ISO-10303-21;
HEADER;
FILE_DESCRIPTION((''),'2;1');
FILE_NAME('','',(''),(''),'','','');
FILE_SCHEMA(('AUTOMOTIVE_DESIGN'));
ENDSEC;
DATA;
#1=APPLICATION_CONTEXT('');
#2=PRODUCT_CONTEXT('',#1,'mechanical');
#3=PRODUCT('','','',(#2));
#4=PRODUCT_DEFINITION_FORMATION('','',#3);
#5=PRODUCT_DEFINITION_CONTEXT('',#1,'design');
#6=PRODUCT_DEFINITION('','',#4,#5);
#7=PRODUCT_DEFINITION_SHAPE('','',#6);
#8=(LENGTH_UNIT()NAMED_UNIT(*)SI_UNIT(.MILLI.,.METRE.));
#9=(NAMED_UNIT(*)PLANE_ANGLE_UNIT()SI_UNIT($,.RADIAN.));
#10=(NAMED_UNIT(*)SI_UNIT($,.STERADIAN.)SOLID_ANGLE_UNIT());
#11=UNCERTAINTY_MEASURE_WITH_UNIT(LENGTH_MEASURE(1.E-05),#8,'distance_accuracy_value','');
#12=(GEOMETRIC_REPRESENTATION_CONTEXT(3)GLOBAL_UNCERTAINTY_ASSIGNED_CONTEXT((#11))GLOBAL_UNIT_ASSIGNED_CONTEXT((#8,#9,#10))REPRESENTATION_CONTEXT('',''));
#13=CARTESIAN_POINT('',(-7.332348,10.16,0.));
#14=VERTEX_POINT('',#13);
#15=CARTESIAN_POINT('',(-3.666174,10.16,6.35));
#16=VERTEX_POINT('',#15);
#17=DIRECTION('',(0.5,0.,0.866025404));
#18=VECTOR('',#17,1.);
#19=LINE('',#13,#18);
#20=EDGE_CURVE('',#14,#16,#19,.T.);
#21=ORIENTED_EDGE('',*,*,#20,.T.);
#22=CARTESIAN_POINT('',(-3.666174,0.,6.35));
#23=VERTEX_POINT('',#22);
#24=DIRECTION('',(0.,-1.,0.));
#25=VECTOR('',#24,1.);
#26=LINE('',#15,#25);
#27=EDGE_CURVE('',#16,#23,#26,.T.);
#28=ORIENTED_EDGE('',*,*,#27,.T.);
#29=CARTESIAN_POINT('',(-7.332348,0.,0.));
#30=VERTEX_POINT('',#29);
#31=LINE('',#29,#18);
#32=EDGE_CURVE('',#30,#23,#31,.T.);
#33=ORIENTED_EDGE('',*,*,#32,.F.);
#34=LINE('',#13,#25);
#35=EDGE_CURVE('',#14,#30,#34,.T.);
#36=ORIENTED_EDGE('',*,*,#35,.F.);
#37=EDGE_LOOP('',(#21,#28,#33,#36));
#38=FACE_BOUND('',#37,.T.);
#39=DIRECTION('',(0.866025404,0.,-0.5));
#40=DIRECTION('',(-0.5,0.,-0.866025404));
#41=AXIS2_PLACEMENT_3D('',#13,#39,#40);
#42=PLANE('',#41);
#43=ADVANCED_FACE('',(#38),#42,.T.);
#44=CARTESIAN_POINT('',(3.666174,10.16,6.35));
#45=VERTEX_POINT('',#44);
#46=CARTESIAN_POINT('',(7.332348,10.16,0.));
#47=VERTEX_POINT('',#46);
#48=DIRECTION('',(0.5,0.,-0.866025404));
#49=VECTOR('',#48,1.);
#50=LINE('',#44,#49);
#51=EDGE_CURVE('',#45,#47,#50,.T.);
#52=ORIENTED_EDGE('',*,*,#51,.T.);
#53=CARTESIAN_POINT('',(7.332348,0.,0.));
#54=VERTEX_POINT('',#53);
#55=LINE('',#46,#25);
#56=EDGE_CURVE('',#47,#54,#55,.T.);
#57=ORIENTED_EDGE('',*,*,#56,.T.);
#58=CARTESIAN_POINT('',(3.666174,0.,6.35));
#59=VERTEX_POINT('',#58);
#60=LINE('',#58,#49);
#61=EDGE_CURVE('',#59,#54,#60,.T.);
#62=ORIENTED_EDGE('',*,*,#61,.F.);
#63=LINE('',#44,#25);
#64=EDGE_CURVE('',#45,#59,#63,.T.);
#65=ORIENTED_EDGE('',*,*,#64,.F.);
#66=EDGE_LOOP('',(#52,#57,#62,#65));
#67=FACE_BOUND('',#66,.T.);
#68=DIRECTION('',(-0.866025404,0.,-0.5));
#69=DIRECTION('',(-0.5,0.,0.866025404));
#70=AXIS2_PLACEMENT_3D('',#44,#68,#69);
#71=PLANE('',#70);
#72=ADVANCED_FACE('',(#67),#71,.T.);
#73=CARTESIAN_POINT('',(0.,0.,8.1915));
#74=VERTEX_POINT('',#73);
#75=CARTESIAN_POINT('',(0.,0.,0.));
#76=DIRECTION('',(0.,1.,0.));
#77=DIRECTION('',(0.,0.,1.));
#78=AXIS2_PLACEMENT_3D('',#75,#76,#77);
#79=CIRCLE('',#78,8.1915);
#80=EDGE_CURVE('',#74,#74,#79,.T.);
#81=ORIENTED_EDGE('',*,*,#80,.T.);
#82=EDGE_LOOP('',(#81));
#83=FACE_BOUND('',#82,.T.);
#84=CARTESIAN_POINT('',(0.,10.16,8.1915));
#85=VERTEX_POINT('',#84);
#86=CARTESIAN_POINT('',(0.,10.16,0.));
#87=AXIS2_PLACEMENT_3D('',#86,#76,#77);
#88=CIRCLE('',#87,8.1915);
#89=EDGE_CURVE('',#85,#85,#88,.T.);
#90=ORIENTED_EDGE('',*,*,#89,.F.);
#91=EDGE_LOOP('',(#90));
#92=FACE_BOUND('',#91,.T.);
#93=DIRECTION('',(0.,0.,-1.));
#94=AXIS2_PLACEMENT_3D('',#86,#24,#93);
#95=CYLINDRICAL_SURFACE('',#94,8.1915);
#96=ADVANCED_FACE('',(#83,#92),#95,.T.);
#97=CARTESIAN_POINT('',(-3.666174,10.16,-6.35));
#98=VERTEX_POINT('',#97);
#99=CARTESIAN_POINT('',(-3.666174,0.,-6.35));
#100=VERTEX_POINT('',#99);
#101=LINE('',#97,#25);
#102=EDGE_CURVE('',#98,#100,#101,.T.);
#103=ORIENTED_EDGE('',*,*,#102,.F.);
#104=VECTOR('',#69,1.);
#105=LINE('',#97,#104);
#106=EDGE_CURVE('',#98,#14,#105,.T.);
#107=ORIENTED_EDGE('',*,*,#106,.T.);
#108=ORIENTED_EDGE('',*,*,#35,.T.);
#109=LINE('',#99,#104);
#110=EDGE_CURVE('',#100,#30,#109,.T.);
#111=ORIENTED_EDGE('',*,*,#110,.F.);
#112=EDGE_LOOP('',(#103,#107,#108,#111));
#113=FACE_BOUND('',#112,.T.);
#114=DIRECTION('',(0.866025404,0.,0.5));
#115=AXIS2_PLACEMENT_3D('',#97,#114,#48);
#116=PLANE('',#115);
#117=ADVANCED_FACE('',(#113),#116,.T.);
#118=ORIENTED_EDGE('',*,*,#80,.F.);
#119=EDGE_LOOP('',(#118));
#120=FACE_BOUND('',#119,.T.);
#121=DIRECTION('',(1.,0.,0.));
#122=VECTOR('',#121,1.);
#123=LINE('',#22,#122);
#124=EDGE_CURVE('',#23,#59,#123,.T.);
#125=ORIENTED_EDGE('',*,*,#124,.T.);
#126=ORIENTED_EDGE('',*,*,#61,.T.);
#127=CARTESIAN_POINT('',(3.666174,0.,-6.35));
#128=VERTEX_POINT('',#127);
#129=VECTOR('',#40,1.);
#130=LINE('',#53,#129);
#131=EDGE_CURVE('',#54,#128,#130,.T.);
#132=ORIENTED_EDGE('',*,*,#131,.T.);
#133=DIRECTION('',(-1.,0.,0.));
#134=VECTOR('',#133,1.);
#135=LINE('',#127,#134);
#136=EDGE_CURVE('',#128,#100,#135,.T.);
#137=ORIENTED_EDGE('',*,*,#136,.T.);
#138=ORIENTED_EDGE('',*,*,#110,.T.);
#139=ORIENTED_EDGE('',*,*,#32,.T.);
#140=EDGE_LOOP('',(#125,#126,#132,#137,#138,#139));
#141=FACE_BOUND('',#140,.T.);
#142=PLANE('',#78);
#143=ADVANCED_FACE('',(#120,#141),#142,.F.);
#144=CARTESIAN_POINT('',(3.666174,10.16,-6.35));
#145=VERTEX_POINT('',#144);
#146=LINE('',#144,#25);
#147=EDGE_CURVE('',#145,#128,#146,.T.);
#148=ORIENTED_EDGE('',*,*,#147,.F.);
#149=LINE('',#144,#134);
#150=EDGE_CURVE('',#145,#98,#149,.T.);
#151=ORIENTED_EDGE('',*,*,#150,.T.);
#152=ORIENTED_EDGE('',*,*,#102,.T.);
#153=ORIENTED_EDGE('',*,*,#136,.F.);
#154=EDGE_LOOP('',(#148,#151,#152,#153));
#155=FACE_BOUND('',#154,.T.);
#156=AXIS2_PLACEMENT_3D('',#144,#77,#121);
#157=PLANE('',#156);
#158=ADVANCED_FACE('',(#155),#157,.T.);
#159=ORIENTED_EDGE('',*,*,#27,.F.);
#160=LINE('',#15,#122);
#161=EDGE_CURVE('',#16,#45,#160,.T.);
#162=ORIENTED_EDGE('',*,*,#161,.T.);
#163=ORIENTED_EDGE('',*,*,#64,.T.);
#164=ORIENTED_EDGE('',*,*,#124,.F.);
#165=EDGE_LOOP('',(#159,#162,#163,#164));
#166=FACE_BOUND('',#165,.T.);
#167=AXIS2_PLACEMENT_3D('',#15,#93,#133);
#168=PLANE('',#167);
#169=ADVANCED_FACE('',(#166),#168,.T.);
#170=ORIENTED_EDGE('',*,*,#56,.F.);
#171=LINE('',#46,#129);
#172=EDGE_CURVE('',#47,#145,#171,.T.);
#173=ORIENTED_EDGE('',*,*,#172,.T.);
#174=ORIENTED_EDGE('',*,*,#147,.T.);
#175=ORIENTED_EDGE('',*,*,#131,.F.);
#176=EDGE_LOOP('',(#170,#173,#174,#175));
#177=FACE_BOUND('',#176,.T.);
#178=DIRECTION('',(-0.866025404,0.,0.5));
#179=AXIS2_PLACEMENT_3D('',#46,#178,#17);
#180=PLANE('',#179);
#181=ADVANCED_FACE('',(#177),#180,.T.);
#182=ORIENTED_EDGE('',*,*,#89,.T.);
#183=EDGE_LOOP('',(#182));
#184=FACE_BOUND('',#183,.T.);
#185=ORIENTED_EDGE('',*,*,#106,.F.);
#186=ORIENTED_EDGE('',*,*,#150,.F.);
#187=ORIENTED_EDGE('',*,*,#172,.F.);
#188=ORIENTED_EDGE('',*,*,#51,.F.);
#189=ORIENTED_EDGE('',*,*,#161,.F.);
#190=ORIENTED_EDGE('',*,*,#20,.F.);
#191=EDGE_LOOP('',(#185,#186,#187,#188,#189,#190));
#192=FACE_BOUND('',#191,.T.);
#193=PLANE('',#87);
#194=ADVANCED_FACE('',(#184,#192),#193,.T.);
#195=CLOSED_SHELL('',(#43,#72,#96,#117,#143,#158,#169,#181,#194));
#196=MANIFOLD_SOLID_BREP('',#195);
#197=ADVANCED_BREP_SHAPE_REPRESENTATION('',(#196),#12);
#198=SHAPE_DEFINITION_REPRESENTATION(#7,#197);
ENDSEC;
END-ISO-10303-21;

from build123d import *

# Parameters (mm, degrees)
SKETCH1_R           = 8.1915
BOSS_EXTRUDE1_DEPTH = 10.16


with BuildPart() as part:
    # Sketch1 → Boss-Extrude1 (new body)
    with BuildSketch(Plane(origin=(0, 0, 0), x_dir=(1, 0, 0), z_dir=(0, 1, 0))):
        Circle(SKETCH1_R)
        Polygon((3.666174209, 6.35), (-3.666174209, 6.35), (-7.332348419, 0), (-3.666174209, -6.35), (3.666174209, -6.35), (7.332348419, 0), align=None, mode=Mode.SUBTRACT)
    extrude(amount=BOSS_EXTRUDE1_DEPTH)


solid = part.part
